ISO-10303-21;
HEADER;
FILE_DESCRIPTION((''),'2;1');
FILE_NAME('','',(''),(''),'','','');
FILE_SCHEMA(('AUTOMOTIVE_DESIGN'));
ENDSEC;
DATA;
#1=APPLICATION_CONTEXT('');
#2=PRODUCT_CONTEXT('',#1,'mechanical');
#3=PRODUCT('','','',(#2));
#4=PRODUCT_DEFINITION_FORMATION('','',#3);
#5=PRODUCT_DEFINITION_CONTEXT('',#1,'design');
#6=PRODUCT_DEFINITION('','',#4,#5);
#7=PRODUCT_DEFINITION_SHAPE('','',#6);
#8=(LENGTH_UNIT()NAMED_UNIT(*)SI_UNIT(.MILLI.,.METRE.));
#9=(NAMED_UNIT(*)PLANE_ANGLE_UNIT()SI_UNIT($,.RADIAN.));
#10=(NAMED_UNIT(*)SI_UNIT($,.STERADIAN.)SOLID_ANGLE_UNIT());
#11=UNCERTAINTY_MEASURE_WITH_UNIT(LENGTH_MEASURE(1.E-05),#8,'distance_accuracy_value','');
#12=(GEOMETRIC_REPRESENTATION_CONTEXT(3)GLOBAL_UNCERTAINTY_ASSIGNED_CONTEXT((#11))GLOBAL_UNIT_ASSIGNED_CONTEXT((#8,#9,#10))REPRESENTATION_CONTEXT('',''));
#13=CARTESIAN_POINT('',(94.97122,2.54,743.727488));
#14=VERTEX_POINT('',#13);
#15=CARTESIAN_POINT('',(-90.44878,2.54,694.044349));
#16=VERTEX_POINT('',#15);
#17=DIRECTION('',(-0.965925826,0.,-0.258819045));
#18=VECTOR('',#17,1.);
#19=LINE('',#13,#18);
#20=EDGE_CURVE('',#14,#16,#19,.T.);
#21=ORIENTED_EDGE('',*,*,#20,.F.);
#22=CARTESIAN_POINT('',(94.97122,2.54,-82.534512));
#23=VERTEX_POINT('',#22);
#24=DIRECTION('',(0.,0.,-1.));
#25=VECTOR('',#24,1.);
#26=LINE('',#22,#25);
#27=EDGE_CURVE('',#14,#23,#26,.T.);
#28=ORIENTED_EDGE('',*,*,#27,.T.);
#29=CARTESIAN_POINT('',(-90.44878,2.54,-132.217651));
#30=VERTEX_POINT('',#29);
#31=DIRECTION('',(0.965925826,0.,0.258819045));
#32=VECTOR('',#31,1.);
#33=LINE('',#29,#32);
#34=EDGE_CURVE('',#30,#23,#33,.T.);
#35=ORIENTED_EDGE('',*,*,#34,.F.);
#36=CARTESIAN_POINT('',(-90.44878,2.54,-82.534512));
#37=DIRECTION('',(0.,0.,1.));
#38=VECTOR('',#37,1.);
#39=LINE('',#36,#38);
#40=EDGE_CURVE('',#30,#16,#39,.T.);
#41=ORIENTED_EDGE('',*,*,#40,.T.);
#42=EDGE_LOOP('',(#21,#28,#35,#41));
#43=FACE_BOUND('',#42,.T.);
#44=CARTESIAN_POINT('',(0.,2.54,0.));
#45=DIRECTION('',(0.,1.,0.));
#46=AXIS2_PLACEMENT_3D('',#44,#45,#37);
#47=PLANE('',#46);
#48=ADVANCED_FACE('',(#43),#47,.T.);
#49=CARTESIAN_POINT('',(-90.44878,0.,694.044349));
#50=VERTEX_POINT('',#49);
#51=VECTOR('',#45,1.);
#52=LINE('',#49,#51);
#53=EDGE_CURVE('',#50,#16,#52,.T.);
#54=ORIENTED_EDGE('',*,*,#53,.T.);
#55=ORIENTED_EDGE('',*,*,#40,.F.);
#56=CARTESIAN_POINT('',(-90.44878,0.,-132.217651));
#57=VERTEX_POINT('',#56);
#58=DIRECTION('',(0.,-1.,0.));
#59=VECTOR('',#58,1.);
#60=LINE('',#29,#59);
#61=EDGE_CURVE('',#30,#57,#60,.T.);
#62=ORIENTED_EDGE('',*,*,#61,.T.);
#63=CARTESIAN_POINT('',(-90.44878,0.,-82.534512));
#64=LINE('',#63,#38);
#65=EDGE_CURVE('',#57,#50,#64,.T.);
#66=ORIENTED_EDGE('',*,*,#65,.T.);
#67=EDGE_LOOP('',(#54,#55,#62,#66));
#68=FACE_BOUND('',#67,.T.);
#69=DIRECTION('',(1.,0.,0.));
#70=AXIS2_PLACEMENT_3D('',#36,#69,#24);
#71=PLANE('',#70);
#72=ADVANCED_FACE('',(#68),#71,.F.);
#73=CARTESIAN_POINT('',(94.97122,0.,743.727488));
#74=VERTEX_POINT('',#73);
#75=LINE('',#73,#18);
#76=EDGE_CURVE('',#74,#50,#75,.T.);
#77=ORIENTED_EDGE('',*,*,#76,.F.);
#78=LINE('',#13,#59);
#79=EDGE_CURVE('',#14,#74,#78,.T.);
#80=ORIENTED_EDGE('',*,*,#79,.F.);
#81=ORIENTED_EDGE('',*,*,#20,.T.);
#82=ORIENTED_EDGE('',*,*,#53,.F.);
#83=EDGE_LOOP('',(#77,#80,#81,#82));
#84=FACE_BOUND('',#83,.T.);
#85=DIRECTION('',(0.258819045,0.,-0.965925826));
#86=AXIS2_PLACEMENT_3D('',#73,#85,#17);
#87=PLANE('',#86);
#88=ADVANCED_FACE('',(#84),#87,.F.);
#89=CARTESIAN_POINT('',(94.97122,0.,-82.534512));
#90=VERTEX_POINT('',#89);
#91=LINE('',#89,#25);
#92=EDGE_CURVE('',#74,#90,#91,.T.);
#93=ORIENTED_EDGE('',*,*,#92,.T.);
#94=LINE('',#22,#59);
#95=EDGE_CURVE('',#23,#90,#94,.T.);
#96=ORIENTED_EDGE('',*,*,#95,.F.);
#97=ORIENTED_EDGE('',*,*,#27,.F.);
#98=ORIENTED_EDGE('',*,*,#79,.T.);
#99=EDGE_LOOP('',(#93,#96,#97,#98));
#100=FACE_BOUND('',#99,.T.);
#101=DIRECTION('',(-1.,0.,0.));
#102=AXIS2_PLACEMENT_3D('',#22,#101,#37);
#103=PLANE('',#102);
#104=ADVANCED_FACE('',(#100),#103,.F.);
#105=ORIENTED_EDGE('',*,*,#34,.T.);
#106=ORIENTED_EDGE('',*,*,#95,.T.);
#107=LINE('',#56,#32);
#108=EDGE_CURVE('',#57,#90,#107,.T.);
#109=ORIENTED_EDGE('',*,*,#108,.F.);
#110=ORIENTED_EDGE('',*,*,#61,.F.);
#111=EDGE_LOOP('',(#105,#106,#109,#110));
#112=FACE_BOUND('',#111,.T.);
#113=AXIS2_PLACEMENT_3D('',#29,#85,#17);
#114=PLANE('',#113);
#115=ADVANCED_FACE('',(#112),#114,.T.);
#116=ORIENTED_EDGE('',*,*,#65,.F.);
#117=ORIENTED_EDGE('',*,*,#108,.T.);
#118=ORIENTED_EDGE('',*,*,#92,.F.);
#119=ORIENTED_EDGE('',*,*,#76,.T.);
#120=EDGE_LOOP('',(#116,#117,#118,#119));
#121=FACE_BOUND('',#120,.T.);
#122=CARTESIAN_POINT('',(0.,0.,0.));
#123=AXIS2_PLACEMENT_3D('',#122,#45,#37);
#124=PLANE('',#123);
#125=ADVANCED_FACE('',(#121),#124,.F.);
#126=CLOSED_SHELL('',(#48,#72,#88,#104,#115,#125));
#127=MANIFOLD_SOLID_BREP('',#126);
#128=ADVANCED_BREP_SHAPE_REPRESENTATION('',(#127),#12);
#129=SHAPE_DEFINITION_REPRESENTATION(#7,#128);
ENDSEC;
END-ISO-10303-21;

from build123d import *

# Parameters (mm, degrees)
SKETCH1_W           = 185.42
SKETCH1_H           = 826.262
BOSS_EXTRUDE1_DEPTH = 2.54
CUT_EXTRUDE1_DEPTH  = 2.54
BOSS_EXTRUDE3_DEPTH = 2.54


with BuildPart() as part:
    # Sketch1 → Boss-Extrude1 (new body)
    with BuildSketch(Plane(origin=(0, 0, 0), x_dir=(1, 0, 0), z_dir=(0, 1, 0))):
        with Locations((2.261219512, -330.596487805)):
            Rectangle(SKETCH1_W, SKETCH1_H)
    extrude(amount=BOSS_EXTRUDE1_DEPTH)

    # Sketch2 → Cut-Extrude1 (cut)
    with BuildSketch(Plane(origin=(0, 2.54, 0), x_dir=(1, 0, 0), z_dir=(0, 1, 0))):
        Polygon((94.971219512, -743.727487805), (-90.448780488, -694.044348544), (-90.448780488, -743.727487805), align=None)
    extrude(amount=-CUT_EXTRUDE1_DEPTH, mode=Mode.SUBTRACT)

    # Sketch3 → Boss-Extrude3 (add)
    with BuildSketch(Plane.XZ):
        Polygon((-90.448780488, -82.534512195), (-90.448780488, -132.217651456), (94.971219512, -82.534512195), align=None)
    extrude(amount=-BOSS_EXTRUDE3_DEPTH)


solid = part.part
